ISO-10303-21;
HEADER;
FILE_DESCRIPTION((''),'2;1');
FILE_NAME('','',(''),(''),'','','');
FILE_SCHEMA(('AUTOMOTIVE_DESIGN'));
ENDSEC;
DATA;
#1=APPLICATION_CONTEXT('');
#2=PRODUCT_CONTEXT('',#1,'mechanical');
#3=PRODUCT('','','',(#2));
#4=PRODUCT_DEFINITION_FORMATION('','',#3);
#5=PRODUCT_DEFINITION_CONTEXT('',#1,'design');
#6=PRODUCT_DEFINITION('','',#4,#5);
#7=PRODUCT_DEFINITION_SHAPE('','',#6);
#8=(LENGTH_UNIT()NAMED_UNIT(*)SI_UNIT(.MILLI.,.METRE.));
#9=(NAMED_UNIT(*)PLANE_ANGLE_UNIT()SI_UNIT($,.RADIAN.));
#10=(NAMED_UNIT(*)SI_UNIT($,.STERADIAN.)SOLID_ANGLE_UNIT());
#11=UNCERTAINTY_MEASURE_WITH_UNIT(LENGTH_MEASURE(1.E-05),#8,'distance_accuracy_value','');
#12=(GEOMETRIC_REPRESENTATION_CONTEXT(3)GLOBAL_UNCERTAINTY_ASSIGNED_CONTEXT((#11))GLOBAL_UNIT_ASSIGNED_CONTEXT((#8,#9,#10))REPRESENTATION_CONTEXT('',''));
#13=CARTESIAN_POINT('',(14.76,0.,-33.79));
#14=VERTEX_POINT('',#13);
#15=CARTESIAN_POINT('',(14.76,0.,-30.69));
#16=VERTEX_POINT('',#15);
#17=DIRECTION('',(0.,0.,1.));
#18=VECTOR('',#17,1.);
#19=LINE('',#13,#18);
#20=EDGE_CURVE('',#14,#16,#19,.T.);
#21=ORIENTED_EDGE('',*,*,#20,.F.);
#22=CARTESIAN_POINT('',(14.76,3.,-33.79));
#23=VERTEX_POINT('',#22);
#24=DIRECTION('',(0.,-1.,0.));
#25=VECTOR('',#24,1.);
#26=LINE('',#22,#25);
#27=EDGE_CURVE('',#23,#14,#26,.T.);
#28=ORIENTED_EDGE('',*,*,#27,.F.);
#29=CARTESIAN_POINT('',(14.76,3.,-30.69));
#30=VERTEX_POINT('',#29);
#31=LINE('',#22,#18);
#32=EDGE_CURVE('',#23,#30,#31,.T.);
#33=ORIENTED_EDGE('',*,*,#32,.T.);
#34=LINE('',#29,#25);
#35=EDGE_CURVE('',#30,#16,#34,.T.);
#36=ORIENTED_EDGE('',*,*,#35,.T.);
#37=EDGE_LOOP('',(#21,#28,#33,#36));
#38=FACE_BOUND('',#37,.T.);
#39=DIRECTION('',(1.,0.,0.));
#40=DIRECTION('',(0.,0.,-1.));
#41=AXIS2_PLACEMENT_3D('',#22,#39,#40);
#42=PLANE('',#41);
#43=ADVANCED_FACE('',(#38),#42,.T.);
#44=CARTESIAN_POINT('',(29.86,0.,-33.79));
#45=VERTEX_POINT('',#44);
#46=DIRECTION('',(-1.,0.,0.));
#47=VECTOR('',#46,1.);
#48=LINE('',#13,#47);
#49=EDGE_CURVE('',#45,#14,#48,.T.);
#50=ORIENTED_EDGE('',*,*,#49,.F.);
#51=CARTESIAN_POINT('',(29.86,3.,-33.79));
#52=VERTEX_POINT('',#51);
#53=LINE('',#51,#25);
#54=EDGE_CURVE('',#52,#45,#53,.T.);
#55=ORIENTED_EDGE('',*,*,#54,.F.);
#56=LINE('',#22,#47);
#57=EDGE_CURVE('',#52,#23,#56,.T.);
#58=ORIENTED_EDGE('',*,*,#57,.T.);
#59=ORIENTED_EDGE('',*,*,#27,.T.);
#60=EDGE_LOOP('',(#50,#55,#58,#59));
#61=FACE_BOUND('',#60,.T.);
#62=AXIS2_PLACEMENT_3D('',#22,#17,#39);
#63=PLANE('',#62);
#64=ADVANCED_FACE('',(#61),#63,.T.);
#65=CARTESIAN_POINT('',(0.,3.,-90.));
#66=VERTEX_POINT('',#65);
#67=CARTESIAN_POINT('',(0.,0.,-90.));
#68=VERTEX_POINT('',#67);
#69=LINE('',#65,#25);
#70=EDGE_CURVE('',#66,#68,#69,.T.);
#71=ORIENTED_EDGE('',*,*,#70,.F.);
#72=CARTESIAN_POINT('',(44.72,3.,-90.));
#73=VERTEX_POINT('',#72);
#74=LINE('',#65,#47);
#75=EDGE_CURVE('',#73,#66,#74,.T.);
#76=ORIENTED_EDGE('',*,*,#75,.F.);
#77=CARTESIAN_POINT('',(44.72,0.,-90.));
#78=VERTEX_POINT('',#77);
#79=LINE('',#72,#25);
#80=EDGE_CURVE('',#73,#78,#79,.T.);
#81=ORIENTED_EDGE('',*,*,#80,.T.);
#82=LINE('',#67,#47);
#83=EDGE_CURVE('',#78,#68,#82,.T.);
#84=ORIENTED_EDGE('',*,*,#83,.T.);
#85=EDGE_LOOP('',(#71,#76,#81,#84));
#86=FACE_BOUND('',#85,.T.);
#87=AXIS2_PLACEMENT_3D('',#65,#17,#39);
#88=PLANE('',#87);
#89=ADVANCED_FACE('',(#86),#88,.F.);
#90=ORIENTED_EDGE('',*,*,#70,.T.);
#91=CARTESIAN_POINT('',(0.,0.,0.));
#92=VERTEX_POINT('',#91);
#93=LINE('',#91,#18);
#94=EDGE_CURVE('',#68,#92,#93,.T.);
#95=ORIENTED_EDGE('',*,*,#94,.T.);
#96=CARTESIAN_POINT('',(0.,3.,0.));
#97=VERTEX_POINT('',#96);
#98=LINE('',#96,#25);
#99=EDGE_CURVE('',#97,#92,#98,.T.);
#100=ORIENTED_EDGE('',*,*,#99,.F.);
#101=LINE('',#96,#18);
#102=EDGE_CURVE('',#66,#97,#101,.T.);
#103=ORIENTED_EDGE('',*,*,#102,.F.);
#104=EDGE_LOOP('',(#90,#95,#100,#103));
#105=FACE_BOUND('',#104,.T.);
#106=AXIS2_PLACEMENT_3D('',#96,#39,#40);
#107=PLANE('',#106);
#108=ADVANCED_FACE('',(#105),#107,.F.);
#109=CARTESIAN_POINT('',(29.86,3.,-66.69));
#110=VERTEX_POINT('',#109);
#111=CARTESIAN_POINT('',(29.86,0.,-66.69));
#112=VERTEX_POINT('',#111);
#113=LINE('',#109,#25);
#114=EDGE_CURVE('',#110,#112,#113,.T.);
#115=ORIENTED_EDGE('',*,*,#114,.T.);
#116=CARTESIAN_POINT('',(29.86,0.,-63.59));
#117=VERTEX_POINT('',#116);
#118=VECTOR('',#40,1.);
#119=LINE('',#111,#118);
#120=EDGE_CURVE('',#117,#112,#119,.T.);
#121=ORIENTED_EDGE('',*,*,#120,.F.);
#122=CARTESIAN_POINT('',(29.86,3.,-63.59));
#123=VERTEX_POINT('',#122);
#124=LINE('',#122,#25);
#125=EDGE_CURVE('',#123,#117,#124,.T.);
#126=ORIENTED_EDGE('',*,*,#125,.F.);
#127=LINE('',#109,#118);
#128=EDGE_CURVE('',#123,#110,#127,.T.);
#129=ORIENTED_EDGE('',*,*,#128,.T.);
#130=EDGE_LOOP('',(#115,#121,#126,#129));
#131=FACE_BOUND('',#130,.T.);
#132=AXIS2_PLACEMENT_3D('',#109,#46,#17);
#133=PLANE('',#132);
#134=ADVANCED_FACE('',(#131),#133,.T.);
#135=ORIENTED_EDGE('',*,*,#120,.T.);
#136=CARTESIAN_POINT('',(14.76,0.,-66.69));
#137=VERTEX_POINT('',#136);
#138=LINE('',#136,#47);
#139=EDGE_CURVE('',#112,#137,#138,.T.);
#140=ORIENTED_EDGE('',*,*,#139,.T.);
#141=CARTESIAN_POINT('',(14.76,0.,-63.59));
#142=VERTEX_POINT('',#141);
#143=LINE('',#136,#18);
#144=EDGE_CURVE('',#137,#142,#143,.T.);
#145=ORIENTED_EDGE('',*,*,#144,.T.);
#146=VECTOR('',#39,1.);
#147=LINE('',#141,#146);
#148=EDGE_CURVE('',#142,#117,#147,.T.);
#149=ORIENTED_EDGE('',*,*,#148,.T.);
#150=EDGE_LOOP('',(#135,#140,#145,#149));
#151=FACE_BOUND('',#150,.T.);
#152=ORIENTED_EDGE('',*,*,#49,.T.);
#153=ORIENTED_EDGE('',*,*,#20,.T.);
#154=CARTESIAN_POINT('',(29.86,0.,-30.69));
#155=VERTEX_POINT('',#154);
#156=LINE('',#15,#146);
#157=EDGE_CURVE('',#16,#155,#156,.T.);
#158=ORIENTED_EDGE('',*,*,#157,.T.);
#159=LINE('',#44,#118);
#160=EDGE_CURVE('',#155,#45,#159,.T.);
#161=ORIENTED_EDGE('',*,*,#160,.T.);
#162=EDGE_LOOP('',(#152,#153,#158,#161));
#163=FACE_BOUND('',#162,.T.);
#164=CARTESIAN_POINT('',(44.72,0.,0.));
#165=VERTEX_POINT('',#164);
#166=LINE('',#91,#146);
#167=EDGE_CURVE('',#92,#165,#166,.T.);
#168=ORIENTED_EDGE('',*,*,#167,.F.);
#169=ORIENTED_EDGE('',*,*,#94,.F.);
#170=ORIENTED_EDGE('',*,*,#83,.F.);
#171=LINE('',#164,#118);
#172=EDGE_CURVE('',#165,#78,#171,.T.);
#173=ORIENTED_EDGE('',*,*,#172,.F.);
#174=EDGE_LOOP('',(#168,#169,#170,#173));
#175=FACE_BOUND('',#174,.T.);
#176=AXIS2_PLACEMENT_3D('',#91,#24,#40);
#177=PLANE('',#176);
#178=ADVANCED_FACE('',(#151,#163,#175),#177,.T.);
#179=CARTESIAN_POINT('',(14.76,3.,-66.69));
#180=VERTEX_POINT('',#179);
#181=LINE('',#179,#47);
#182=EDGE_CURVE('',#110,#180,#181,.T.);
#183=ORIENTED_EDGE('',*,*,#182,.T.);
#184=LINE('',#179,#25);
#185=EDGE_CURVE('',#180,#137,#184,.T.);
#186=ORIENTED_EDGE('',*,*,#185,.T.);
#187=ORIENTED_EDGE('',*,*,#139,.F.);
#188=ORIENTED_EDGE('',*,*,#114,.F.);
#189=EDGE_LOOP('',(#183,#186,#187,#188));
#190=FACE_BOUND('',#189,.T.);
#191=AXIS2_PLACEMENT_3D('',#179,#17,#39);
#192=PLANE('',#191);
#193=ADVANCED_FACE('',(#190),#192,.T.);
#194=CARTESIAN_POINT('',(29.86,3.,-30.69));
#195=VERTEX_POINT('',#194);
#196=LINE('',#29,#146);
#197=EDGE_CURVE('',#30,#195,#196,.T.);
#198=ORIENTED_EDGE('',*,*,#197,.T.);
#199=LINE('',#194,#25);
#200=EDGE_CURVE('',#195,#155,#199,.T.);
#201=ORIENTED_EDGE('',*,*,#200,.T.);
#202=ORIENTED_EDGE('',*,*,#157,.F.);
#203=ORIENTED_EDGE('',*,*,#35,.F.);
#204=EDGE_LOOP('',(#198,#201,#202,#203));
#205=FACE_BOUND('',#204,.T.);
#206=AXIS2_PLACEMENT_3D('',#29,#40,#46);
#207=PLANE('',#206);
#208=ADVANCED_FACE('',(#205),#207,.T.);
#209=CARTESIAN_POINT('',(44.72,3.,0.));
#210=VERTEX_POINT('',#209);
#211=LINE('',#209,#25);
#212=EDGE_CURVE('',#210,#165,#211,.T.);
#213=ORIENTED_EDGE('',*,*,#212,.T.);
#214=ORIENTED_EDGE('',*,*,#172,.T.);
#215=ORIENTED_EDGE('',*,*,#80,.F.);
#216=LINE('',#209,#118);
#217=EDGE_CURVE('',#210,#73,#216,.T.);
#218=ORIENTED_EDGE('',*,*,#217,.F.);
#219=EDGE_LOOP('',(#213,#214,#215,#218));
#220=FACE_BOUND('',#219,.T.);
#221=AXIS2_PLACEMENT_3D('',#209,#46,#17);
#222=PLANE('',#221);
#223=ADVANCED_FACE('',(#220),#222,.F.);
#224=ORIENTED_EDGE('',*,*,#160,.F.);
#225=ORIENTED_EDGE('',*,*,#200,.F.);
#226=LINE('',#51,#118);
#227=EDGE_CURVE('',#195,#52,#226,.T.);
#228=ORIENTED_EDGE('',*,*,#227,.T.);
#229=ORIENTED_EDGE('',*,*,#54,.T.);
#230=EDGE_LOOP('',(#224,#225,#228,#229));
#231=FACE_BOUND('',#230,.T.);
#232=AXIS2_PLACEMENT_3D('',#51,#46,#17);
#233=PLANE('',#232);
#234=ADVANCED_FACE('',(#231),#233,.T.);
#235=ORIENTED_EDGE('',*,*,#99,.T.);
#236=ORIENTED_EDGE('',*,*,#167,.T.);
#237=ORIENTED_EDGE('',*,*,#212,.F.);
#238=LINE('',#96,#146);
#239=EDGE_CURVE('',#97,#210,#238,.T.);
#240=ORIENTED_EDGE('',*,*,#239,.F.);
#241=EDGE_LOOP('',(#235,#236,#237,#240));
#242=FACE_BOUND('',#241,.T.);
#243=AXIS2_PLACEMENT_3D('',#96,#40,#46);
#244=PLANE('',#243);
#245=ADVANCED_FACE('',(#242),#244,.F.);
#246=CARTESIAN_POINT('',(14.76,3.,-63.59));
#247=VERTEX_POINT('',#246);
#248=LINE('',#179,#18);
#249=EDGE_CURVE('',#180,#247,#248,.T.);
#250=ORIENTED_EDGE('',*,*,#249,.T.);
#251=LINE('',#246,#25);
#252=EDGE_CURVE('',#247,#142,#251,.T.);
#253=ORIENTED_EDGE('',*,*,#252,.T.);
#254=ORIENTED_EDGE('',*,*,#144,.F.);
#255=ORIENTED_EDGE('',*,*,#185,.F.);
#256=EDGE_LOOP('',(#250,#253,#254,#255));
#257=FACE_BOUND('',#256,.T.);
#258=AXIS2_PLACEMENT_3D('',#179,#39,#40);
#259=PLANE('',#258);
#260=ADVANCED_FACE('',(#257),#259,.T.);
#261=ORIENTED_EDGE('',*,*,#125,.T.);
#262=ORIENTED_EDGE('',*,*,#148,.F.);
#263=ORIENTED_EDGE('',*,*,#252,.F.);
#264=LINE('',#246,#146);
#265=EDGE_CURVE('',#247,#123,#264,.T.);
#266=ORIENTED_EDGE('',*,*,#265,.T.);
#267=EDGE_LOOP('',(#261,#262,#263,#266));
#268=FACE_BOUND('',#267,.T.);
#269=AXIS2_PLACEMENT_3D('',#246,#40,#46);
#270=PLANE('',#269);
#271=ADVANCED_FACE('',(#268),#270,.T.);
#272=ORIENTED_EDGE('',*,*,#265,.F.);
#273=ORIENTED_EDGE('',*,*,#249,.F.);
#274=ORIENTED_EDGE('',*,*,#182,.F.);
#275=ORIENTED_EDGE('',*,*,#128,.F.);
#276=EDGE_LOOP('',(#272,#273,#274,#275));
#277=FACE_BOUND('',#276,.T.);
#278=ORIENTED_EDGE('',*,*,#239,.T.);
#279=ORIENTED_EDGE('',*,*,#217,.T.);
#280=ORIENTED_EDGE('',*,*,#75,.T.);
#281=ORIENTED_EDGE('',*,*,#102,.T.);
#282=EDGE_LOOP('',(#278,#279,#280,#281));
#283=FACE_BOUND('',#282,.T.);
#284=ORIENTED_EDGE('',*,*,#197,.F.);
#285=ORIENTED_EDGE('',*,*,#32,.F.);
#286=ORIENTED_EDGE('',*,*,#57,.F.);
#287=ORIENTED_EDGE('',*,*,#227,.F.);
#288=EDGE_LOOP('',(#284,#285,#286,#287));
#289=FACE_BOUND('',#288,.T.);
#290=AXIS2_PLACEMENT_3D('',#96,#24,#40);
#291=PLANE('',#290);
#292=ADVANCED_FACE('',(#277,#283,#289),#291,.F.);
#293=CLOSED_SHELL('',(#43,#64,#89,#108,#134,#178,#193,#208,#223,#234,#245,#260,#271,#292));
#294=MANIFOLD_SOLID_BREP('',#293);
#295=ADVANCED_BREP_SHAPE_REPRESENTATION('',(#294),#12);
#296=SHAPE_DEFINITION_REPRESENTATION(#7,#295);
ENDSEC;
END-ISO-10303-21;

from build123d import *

# Parameters (mm, degrees)
SKETCH2_W           = 44.72
SKETCH2_H           = 90
SKETCH2_W_2         = 15.1
SKETCH2_H_2         = 3.1
BOSS_EXTRUDE3_DEPTH = 3


with BuildPart() as part:
    # Sketch2 → Boss-Extrude3 (new body)
    with BuildSketch(Plane(origin=(0, 0, 0), x_dir=(1, 0, 0), z_dir=(0, 1, 0))):
        with Locations((22.36, 45)):
            Rectangle(SKETCH2_W, SKETCH2_H)
        with Locations((22.31, 32.24)):
            Rectangle(SKETCH2_W_2, SKETCH2_H_2, mode=Mode.SUBTRACT)
        with Locations((22.31, 65.14)):
            Rectangle(SKETCH2_W_2, SKETCH2_H_2, mode=Mode.SUBTRACT)
    extrude(amount=BOSS_EXTRUDE3_DEPTH)


solid = part.part
